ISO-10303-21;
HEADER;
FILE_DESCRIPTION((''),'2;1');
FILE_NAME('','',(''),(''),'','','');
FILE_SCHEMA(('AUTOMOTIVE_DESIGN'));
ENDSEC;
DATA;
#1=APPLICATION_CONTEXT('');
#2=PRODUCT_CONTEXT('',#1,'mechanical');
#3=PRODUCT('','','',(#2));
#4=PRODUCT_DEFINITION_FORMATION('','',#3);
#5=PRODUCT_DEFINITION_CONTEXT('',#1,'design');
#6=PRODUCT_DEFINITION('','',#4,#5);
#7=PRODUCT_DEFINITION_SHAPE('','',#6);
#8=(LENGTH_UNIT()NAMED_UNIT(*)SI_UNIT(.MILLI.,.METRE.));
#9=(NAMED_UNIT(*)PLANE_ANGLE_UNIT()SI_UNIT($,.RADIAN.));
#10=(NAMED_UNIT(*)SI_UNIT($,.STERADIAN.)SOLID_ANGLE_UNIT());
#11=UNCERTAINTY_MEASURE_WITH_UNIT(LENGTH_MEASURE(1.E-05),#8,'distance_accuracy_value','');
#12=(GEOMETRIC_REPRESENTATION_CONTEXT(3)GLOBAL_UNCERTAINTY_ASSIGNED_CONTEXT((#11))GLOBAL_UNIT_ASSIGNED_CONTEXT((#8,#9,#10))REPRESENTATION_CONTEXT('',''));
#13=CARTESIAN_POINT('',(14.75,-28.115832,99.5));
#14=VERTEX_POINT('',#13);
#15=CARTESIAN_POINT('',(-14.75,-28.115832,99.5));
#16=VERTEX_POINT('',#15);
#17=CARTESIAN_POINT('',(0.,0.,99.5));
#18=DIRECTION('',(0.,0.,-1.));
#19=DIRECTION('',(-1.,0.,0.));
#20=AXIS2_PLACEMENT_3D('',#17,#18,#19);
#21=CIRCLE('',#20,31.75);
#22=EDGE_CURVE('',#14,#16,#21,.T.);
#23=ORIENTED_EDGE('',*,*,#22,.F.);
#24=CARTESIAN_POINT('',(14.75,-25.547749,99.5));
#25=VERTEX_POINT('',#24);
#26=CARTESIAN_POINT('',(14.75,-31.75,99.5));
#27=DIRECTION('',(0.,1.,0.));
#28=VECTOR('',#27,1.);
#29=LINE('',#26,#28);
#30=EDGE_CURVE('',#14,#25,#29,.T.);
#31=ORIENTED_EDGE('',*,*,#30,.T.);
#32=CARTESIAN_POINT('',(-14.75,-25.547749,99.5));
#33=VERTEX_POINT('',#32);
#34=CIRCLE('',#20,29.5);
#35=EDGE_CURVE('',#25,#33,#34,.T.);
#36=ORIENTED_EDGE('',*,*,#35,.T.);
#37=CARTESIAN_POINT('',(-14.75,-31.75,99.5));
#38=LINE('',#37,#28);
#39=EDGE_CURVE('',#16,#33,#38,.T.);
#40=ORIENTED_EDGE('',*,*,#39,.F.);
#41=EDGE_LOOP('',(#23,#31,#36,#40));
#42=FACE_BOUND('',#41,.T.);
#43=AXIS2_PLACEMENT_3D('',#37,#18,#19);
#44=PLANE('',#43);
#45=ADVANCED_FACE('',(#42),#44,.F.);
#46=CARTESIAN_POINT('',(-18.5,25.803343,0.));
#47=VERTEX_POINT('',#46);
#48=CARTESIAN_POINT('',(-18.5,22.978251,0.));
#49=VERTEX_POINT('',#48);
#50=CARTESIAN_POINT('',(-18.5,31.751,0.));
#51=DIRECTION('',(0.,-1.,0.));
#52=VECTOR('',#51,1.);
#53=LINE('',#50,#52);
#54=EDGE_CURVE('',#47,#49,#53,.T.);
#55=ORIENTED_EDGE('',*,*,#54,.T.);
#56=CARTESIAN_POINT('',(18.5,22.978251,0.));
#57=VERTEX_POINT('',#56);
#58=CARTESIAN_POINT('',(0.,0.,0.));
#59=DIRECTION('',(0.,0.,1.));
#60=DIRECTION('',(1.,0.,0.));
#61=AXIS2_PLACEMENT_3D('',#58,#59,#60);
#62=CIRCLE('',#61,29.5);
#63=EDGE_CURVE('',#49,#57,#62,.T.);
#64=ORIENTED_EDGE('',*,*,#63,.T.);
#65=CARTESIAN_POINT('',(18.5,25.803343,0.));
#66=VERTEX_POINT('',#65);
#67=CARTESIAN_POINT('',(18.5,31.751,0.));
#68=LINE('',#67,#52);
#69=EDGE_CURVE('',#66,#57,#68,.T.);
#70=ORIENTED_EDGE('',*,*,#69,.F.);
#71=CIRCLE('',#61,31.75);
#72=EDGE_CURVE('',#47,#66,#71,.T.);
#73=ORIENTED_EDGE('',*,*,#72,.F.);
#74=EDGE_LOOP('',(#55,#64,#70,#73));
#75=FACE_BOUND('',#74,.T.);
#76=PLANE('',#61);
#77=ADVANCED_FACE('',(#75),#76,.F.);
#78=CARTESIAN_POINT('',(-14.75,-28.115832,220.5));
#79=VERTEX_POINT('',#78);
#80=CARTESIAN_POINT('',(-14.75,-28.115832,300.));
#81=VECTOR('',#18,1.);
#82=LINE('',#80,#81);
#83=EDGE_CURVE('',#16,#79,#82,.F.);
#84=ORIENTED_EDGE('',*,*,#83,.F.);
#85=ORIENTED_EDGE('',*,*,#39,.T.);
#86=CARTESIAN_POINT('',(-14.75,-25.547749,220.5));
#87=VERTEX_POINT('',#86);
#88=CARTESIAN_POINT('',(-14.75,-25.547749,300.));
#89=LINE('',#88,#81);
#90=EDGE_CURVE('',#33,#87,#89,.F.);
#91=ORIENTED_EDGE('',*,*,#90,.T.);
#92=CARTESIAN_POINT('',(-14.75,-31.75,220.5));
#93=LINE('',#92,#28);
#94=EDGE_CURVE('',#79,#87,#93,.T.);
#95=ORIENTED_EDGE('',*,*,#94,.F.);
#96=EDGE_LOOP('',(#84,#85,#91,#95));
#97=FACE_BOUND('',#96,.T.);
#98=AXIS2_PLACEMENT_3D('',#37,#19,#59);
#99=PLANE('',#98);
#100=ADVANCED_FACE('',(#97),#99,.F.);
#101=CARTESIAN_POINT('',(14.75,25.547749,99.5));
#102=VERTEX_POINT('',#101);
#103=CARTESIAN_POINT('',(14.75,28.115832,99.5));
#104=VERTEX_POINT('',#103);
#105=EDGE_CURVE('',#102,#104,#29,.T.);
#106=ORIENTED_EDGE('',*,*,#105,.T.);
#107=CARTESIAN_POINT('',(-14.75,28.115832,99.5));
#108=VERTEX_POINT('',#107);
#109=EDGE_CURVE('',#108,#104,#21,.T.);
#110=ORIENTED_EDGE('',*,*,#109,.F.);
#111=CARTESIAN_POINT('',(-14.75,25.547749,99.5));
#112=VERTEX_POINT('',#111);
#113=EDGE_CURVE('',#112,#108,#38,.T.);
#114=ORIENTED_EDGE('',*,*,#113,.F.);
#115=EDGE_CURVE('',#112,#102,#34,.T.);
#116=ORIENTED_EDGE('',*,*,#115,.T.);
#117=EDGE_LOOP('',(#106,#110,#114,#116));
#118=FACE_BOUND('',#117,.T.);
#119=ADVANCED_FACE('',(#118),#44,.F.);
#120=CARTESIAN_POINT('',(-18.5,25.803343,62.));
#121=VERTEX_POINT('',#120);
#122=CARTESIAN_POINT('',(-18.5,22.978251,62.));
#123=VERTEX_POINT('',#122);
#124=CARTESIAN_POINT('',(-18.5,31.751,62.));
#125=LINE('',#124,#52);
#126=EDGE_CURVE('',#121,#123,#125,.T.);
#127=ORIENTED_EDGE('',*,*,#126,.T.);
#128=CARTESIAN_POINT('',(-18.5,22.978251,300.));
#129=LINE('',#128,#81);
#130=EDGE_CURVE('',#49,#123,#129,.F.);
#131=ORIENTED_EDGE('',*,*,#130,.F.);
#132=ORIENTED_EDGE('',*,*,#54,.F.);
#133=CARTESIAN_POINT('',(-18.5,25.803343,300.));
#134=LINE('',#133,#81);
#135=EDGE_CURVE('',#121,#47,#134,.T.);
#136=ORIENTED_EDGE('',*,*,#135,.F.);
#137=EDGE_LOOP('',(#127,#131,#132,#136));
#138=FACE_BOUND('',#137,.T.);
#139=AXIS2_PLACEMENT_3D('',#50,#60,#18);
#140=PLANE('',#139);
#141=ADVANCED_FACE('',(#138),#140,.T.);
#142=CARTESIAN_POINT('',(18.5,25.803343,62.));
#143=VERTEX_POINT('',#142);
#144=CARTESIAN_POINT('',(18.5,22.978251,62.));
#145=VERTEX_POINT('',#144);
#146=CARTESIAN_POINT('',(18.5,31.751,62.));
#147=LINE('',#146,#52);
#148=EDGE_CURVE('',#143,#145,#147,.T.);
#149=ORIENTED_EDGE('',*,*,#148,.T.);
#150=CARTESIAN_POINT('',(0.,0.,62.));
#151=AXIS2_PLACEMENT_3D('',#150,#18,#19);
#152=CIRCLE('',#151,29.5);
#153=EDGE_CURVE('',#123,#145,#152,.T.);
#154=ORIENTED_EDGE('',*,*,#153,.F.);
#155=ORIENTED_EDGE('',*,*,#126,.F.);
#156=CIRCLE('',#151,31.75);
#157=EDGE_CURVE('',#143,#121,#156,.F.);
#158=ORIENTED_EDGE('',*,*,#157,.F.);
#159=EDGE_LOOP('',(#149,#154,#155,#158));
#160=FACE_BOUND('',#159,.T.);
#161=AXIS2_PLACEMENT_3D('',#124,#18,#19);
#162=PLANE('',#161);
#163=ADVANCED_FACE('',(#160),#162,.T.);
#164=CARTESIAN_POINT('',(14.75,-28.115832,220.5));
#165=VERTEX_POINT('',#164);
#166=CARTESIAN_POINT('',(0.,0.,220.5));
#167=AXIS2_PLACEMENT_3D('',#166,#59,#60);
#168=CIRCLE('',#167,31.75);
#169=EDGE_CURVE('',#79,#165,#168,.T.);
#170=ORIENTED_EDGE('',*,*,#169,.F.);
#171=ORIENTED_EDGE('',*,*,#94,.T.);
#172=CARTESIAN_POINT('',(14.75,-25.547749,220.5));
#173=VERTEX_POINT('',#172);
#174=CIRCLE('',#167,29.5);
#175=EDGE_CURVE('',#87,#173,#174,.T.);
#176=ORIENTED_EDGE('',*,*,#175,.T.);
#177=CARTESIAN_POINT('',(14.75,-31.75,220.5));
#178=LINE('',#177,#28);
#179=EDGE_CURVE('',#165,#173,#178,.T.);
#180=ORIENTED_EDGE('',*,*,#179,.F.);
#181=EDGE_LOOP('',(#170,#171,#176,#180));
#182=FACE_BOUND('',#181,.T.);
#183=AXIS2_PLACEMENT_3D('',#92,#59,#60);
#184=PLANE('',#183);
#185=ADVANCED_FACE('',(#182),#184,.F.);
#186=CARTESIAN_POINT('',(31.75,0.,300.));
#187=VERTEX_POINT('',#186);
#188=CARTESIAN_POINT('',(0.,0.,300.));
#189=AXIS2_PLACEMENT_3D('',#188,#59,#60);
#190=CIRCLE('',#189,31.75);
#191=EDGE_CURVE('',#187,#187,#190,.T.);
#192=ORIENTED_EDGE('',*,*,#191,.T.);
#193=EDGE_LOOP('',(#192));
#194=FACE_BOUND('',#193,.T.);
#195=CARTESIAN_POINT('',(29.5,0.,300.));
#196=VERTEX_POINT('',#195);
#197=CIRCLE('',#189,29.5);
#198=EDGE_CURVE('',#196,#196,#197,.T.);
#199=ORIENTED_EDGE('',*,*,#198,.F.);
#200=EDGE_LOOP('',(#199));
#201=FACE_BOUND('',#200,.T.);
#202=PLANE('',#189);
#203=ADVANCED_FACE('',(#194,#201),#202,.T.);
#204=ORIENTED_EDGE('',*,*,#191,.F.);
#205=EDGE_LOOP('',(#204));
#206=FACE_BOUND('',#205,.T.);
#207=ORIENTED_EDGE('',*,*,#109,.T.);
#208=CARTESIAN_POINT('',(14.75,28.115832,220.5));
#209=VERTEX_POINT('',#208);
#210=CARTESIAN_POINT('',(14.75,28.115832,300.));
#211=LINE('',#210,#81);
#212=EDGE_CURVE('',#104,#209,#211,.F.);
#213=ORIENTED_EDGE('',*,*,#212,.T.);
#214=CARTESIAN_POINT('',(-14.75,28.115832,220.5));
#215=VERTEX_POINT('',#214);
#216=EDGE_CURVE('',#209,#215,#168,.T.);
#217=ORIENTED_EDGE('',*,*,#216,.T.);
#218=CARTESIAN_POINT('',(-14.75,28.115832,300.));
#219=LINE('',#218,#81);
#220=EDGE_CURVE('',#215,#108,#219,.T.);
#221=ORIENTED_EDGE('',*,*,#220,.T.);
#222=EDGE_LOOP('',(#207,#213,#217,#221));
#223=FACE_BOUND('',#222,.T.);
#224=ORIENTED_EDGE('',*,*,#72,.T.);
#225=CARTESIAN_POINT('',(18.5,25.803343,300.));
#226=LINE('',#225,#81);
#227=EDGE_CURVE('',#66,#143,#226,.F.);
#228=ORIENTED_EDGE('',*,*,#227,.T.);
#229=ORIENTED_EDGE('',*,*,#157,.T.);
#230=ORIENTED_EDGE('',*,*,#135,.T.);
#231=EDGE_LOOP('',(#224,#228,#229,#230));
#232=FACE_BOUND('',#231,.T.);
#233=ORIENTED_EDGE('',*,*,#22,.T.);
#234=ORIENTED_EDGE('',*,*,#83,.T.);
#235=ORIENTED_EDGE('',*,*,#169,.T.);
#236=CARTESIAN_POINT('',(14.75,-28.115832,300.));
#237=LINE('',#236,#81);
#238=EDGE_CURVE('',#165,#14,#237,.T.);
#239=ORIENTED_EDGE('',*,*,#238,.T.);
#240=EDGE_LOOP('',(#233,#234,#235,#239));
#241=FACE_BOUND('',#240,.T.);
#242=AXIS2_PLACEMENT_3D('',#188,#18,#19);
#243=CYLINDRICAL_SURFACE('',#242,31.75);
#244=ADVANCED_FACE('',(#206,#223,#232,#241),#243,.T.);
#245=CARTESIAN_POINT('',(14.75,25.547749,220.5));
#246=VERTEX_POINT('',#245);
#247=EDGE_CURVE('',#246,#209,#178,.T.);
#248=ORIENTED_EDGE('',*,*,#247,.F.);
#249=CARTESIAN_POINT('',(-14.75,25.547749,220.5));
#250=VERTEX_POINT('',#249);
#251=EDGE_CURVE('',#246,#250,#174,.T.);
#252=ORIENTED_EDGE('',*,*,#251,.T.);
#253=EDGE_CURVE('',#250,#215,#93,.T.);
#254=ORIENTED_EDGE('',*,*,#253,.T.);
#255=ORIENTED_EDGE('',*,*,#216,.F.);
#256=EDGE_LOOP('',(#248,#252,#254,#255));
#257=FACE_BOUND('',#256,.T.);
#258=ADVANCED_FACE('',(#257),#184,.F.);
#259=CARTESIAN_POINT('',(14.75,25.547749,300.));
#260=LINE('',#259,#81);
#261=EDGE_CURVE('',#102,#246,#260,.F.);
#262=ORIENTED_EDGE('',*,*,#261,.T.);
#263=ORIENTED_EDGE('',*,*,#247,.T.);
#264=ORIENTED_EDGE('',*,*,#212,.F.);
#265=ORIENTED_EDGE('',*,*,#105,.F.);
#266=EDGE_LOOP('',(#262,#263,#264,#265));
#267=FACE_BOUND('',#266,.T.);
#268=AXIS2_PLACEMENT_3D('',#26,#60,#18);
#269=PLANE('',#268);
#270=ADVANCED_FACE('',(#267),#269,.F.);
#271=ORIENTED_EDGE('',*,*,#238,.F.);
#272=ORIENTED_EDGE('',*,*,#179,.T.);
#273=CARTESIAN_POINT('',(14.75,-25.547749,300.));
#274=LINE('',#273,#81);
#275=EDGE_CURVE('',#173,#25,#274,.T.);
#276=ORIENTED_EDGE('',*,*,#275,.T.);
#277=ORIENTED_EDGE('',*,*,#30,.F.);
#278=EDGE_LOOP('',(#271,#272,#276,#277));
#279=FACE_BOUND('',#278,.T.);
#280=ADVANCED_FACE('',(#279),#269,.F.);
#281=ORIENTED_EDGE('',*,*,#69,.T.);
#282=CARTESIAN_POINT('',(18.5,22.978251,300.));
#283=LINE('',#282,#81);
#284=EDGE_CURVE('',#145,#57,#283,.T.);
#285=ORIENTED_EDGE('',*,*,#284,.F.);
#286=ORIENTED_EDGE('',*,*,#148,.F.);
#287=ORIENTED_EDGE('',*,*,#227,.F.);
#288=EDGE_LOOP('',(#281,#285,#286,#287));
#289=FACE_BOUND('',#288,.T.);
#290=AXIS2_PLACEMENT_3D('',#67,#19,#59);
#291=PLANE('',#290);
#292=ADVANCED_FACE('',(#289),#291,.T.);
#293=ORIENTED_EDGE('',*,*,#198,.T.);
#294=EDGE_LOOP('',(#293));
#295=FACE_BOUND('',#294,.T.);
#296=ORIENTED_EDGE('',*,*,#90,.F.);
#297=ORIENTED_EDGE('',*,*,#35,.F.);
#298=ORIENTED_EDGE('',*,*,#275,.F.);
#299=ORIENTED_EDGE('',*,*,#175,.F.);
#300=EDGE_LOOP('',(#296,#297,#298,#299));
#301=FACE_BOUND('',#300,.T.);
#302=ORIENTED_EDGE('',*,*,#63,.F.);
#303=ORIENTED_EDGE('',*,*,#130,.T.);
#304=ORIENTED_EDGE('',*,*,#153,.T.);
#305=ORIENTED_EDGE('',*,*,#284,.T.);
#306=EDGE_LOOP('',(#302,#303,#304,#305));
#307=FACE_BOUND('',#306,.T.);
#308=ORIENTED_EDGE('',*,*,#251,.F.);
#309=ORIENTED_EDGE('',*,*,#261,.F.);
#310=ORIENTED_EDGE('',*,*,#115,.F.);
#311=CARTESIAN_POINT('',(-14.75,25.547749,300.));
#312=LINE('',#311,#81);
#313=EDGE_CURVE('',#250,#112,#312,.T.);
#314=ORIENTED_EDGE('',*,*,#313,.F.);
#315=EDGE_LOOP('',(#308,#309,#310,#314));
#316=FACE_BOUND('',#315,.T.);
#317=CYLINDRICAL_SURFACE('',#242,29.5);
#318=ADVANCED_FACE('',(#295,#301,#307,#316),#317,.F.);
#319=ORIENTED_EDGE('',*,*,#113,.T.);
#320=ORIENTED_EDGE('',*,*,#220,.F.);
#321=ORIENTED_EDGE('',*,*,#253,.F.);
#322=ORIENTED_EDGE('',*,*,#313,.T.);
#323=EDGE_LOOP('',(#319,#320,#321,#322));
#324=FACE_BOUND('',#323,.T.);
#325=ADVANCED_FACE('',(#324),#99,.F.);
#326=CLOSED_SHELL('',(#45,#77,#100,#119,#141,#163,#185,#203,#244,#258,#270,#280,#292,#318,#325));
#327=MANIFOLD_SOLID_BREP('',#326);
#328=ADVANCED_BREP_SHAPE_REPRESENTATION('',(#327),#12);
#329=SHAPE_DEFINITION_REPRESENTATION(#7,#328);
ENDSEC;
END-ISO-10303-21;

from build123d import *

# Parameters (mm, degrees)
SKETCH1_R               = 31.75
SKETCH1_R_2             = 29.5
BOSS_EXTRUDE1_DEPTH     = 300
CUT_EXTRUDE1_REACH      = 305.342
CUT_EXTRUDE1_END_RADIUS = 31.75
SKETCH2_W               = 37
SKETCH2_H               = 62
CUT_EXTRUDE2_DEPTH      = 304.341597873
CUT_EXTRUDE2_DEPTH_BACK = 304.341597873
SKETCH4_W               = 29.5
SKETCH4_H               = 121


with BuildPart() as part:
    # Sketch1 → Boss-Extrude1 (new body)
    with BuildSketch(Plane.XY):
        Circle(SKETCH1_R)
        Circle(SKETCH1_R_2, mode=Mode.SUBTRACT)
    extrude(amount=BOSS_EXTRUDE1_DEPTH)

    # Cut-Extrude1: up to this cylinder (the profile starts inside it)
    cut_extrude1_end = Plane(origin=(0, 0, 31), z_dir=(0, 0, -1)) * Cylinder(CUT_EXTRUDE1_END_RADIUS, 675.184, mode=Mode.PRIVATE)
    # Sketch2 → Cut-Extrude1 (cut, up to the surface)
    with BuildSketch(Plane(origin=(0, 0, 0), x_dir=(1, 0, 0), z_dir=(0, 1, 0)), mode=Mode.PRIVATE) as cut_extrude1_sk1:
        with Locations((0, -31)):
            Rectangle(SKETCH2_W, SKETCH2_H)
    cut_extrude1_tool1 = extrude(cut_extrude1_sk1.sketch, amount=CUT_EXTRUDE1_REACH, mode=Mode.PRIVATE) & cut_extrude1_end
    add(cut_extrude1_tool1.solids().sort_by_distance((0, 0, 31))[0], mode=Mode.SUBTRACT)

    # Sketch4 → Cut-Extrude2 (cut, two sides: drawn at the far end of the back side and taken through both)
    with BuildSketch(Plane(origin=(0, 0, 0), x_dir=(1, 0, 0), z_dir=(0, 1, 0)).offset(-CUT_EXTRUDE2_DEPTH_BACK)):
        with Locations((0, -160)):
            Rectangle(SKETCH4_W, SKETCH4_H)
    extrude(amount=CUT_EXTRUDE2_DEPTH + CUT_EXTRUDE2_DEPTH_BACK, mode=Mode.SUBTRACT)


solid = part.part
